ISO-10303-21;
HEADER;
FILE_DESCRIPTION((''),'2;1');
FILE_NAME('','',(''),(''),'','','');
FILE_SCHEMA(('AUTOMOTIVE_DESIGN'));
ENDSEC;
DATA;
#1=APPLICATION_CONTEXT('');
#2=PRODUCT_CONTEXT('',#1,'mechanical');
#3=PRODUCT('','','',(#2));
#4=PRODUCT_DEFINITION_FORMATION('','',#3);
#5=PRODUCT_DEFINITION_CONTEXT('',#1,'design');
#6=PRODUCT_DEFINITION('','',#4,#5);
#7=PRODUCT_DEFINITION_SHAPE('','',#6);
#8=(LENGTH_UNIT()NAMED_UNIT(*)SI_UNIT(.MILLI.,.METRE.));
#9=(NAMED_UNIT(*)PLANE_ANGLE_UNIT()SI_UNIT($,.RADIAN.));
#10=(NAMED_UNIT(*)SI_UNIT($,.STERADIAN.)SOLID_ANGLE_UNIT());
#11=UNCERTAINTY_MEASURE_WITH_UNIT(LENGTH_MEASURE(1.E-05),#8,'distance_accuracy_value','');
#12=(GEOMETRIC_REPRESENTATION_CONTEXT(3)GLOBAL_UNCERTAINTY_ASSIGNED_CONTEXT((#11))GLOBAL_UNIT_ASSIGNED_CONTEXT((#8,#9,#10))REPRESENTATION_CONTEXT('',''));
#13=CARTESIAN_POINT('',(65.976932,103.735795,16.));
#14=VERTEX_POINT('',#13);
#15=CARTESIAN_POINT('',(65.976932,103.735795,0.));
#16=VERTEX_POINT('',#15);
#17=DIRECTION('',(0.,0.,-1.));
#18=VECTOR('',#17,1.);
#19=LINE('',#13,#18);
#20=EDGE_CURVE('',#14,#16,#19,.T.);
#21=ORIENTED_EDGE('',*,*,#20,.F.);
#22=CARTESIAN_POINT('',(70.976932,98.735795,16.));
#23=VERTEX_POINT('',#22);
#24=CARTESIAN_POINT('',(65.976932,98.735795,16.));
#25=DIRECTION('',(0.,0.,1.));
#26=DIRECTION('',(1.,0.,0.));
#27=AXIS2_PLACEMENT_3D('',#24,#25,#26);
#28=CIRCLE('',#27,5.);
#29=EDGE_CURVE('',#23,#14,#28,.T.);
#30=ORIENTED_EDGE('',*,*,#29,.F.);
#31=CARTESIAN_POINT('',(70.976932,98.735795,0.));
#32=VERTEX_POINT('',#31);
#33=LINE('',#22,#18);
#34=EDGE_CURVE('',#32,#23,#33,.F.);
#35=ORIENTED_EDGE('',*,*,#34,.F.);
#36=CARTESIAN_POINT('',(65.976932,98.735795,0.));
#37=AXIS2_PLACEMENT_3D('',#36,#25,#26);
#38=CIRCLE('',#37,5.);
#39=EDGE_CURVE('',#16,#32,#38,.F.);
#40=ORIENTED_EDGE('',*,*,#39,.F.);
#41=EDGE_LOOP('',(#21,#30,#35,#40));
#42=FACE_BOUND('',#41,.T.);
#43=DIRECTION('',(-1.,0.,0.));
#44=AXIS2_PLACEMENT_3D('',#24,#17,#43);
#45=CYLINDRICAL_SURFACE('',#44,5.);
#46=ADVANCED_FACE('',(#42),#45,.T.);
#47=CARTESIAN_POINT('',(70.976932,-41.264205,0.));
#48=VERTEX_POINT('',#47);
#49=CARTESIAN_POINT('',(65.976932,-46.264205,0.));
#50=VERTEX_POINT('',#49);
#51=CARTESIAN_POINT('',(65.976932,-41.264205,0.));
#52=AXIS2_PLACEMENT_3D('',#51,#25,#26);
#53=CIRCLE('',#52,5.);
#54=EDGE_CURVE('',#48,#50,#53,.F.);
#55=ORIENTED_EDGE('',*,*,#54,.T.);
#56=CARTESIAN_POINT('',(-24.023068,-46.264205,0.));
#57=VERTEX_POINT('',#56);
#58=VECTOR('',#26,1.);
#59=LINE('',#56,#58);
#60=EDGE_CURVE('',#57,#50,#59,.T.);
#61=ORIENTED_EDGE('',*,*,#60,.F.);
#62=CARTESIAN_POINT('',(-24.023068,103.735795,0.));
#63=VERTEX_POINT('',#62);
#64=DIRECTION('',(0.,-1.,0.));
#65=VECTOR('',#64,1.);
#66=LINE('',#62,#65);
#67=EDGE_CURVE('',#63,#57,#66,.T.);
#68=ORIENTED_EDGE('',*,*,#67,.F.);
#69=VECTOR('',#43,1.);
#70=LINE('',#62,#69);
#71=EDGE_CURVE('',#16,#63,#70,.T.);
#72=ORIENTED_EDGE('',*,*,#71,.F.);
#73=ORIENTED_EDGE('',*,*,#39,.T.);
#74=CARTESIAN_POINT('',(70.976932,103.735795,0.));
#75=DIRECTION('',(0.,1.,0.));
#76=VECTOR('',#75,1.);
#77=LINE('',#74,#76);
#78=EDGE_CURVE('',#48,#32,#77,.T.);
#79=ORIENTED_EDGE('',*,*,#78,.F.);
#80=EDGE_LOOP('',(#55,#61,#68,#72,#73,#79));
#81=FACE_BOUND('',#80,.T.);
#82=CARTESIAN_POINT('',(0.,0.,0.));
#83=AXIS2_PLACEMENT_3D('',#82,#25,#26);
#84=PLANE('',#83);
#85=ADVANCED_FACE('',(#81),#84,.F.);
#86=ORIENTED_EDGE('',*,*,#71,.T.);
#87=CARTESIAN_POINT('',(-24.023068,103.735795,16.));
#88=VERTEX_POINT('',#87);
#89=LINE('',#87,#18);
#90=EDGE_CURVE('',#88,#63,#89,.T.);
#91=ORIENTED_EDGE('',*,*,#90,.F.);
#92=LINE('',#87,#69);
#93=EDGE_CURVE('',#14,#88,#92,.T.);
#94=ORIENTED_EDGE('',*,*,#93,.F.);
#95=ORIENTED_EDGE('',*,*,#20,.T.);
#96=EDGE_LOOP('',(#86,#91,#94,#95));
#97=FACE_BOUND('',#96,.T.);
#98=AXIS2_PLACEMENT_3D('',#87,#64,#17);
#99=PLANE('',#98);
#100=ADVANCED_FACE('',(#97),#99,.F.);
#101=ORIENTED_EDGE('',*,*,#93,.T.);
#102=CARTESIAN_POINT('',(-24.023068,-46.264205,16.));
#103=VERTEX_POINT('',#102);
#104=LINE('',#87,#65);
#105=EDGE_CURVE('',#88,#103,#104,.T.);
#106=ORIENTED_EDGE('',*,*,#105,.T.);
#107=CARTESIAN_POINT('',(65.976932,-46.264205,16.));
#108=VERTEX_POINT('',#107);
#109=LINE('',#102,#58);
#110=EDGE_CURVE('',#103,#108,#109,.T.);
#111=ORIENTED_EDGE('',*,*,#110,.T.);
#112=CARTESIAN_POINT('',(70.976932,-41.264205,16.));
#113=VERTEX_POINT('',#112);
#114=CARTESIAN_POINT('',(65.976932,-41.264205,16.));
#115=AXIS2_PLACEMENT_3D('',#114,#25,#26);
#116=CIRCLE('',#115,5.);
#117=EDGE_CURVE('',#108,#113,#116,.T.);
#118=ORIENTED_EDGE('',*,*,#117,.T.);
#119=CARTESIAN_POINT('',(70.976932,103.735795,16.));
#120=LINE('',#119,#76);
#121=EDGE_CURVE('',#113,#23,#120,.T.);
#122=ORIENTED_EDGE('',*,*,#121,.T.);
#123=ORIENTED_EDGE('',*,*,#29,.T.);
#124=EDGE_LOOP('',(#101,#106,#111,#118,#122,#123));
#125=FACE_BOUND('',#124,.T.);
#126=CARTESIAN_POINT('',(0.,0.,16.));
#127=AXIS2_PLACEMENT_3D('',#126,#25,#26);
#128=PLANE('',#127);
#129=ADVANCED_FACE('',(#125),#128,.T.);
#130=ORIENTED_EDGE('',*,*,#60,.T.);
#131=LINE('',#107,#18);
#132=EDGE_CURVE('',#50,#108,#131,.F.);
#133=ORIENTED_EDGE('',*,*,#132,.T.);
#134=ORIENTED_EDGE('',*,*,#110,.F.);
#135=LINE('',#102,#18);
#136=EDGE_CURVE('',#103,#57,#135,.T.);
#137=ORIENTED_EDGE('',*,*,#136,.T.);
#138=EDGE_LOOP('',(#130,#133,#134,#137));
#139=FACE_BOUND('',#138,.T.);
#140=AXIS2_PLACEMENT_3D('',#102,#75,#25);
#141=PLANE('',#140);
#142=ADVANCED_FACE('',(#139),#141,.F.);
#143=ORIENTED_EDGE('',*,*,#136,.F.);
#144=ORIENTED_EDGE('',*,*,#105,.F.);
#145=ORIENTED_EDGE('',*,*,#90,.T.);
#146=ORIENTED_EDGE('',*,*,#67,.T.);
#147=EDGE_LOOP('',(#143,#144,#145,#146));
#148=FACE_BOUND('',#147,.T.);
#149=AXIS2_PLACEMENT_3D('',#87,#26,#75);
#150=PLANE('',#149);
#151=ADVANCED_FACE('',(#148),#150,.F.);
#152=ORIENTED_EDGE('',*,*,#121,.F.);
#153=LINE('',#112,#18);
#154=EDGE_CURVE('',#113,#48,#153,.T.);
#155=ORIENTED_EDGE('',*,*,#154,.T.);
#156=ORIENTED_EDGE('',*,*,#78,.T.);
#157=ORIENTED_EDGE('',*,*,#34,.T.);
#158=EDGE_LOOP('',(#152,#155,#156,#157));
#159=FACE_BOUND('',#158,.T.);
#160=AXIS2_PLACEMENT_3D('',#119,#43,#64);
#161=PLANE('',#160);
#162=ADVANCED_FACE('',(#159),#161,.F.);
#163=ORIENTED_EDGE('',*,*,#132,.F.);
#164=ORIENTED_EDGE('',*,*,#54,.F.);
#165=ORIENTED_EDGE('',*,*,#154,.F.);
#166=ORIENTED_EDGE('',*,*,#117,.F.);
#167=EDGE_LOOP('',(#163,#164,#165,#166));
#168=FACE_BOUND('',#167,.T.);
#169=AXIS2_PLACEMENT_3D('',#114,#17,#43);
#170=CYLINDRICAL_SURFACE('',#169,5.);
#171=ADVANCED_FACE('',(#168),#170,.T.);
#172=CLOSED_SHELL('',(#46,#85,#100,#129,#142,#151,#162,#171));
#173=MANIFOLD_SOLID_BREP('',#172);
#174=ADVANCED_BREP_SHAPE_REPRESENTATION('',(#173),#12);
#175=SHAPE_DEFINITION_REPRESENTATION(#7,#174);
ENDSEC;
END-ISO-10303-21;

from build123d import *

# Parameters (mm, degrees)
SKETCH1_W           = 95
SKETCH1_H           = 150
BOSS_EXTRUDE1_DEPTH = 16
FILLET1_R           = 5


with BuildPart() as part:
    # Sketch1 → Boss-Extrude1 (new body)
    with BuildSketch(Plane.XY):
        with Locations((23.47693227, 28.735795388)):
            Rectangle(SKETCH1_W, SKETCH1_H)
    extrude(amount=BOSS_EXTRUDE1_DEPTH)

    # Fillet1
    fillet1_edges = [part.edges().sort_by_distance(p)[0] for p in [
        (70.97693227, 103.735795388, 8),
        (70.97693227, -46.264204612, 8),
    ]]
    fillet(fillet1_edges, radius=FILLET1_R)


solid = part.part
